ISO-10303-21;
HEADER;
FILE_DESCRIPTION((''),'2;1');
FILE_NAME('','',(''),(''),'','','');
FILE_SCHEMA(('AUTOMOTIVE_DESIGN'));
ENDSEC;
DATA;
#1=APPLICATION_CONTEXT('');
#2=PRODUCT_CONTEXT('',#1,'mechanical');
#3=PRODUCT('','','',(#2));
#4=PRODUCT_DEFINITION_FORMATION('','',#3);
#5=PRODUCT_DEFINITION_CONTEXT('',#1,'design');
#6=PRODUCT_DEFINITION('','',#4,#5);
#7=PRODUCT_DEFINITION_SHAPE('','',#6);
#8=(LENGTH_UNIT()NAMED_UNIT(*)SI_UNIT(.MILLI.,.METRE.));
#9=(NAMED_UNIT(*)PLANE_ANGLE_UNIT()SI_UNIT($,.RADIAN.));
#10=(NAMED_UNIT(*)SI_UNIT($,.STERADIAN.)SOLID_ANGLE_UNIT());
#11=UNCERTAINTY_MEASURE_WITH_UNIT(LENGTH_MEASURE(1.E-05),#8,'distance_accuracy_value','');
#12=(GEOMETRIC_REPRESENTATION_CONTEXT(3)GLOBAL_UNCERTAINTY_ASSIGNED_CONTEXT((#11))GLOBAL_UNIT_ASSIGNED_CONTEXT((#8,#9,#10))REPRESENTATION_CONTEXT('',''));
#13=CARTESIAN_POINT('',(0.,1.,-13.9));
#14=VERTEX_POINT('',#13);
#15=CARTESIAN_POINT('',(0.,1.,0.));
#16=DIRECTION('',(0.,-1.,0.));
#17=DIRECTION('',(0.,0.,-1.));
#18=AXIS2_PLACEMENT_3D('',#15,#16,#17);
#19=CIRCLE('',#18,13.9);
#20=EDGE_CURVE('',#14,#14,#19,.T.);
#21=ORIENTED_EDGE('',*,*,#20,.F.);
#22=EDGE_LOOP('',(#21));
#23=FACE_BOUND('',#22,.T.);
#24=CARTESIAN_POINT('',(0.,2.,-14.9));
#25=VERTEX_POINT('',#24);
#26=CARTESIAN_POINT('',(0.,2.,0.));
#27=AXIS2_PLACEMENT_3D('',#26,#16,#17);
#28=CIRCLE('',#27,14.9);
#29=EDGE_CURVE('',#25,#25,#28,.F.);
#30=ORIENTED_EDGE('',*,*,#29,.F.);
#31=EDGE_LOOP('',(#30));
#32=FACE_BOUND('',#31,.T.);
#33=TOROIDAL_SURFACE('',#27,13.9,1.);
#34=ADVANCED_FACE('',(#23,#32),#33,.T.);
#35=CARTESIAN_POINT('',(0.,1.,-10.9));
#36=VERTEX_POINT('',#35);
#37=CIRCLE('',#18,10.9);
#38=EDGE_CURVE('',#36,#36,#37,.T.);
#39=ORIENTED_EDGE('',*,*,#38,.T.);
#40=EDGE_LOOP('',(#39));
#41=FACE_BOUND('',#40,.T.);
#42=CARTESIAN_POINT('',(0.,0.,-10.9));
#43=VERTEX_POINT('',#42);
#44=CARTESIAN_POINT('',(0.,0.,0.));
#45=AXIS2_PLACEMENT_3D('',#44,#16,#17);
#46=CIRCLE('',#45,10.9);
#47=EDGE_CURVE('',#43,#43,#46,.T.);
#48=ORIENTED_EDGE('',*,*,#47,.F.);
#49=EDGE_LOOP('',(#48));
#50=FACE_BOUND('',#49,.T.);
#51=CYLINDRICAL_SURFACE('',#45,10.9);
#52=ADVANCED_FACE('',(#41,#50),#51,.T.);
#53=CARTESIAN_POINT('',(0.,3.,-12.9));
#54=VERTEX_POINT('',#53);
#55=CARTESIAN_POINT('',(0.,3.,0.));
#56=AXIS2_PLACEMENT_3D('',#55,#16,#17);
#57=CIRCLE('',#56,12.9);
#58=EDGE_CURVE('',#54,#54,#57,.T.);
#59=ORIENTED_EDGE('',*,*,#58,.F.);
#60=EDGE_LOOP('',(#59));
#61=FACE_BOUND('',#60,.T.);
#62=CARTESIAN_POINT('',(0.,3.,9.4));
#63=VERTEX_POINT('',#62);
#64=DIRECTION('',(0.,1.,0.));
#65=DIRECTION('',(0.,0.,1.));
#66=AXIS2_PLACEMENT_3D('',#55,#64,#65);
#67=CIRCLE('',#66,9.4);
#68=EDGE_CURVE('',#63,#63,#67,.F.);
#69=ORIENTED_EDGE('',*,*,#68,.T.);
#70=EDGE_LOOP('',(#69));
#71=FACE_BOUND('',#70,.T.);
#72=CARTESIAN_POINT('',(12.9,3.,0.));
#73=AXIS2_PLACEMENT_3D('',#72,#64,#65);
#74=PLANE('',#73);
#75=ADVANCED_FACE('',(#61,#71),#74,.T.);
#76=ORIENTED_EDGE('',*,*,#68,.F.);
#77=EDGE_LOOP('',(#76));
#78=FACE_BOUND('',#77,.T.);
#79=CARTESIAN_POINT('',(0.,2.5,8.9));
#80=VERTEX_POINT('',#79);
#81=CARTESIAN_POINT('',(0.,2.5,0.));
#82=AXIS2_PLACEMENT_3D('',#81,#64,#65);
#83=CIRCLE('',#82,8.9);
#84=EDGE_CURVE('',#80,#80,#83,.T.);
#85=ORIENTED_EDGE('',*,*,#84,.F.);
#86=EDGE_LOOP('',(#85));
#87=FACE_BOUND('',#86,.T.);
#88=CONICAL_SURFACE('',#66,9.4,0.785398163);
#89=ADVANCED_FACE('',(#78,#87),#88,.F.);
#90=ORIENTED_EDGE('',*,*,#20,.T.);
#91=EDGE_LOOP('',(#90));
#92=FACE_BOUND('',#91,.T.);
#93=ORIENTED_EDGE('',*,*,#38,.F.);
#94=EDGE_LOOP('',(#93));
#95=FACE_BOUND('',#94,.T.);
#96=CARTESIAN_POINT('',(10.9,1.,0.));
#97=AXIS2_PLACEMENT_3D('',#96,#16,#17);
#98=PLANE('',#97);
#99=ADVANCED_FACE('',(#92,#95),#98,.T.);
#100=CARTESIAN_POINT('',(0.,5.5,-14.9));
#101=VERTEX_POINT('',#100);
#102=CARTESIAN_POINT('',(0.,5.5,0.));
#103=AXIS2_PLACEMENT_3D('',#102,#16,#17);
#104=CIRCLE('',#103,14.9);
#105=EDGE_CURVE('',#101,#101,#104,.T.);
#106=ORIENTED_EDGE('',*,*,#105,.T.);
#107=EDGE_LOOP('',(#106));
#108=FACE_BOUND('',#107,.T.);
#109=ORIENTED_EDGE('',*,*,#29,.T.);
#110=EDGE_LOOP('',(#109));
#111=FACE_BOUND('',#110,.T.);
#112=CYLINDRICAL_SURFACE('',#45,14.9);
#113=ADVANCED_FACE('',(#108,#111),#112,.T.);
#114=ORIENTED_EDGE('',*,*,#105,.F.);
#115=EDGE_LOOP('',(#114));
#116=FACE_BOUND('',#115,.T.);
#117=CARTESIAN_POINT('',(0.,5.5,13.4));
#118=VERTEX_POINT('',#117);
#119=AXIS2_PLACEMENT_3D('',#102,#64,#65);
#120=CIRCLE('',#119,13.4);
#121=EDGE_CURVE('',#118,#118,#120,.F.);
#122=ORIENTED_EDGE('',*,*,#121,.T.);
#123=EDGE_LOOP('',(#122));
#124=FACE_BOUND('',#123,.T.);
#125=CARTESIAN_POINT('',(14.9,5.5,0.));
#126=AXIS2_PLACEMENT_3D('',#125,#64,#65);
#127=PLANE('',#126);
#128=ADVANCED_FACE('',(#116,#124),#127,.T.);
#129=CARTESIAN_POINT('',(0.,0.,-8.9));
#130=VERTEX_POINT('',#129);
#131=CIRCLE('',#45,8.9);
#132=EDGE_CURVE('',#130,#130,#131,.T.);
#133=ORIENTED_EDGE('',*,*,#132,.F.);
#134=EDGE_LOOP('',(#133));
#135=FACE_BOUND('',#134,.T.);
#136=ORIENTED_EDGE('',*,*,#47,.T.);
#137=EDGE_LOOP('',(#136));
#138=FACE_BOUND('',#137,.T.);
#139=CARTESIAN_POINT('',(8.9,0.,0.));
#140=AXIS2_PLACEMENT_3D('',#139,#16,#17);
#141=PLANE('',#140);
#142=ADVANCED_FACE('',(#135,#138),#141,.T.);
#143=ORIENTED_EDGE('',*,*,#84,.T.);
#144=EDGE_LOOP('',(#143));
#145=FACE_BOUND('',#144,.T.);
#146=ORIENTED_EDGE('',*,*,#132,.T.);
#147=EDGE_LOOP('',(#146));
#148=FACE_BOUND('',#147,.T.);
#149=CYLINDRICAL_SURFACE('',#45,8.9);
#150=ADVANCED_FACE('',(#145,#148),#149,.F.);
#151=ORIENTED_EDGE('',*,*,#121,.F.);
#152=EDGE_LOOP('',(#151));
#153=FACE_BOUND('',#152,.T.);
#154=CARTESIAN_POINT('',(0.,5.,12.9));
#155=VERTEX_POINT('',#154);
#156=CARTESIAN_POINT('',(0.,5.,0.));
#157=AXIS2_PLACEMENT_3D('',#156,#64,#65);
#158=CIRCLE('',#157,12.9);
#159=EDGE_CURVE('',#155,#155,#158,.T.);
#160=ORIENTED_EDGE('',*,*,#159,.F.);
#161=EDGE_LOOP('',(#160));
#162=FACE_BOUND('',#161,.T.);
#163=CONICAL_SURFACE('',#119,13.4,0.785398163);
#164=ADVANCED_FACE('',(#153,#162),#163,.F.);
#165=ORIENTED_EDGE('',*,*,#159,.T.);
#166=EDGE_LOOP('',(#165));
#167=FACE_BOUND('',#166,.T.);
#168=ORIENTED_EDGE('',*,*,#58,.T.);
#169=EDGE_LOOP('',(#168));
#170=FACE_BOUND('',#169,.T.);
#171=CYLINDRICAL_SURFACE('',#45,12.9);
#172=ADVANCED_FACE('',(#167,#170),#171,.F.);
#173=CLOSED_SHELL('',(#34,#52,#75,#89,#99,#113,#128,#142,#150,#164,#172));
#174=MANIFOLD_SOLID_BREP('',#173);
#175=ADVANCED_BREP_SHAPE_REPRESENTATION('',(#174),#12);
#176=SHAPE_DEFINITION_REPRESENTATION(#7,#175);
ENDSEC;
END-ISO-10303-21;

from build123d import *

# Parameters (mm, degrees)
FILLET1_R     = 1
CHAMFER1_SIZE = 0.5


with BuildPart() as part:
    # Sketch1 → Revolve1 (revolve)
    with BuildSketch(Plane.XY, mode=Mode.PRIVATE) as revolve1_sk:
        Polygon((12.9, 5.5), (12.9, 3), (8.9, 3), (8.9, 0), (10.9, 0), (10.9, 1), (14.9, 1), (14.9, 5.5), align=None)
    revolve(revolve1_sk.sketch.rotate(Axis((0, 0, 0), (0, 1, 0)), 90), axis=Axis((0, 0, 0), (0, 1, 0)))

    # Fillet1
    fillet1_edges = [part.edges().sort_by_distance(p)[0] for p in [
        (0, 1, 14.9),
    ]]
    fillet(fillet1_edges, radius=FILLET1_R)

    # Chamfer1
    chamfer1_edges = [part.edges().sort_by_distance(p)[0] for p in [
        (0, 5.5, 12.9),
        (0, 3, 8.9),
    ]]
    chamfer(chamfer1_edges, length=CHAMFER1_SIZE)


solid = part.part
